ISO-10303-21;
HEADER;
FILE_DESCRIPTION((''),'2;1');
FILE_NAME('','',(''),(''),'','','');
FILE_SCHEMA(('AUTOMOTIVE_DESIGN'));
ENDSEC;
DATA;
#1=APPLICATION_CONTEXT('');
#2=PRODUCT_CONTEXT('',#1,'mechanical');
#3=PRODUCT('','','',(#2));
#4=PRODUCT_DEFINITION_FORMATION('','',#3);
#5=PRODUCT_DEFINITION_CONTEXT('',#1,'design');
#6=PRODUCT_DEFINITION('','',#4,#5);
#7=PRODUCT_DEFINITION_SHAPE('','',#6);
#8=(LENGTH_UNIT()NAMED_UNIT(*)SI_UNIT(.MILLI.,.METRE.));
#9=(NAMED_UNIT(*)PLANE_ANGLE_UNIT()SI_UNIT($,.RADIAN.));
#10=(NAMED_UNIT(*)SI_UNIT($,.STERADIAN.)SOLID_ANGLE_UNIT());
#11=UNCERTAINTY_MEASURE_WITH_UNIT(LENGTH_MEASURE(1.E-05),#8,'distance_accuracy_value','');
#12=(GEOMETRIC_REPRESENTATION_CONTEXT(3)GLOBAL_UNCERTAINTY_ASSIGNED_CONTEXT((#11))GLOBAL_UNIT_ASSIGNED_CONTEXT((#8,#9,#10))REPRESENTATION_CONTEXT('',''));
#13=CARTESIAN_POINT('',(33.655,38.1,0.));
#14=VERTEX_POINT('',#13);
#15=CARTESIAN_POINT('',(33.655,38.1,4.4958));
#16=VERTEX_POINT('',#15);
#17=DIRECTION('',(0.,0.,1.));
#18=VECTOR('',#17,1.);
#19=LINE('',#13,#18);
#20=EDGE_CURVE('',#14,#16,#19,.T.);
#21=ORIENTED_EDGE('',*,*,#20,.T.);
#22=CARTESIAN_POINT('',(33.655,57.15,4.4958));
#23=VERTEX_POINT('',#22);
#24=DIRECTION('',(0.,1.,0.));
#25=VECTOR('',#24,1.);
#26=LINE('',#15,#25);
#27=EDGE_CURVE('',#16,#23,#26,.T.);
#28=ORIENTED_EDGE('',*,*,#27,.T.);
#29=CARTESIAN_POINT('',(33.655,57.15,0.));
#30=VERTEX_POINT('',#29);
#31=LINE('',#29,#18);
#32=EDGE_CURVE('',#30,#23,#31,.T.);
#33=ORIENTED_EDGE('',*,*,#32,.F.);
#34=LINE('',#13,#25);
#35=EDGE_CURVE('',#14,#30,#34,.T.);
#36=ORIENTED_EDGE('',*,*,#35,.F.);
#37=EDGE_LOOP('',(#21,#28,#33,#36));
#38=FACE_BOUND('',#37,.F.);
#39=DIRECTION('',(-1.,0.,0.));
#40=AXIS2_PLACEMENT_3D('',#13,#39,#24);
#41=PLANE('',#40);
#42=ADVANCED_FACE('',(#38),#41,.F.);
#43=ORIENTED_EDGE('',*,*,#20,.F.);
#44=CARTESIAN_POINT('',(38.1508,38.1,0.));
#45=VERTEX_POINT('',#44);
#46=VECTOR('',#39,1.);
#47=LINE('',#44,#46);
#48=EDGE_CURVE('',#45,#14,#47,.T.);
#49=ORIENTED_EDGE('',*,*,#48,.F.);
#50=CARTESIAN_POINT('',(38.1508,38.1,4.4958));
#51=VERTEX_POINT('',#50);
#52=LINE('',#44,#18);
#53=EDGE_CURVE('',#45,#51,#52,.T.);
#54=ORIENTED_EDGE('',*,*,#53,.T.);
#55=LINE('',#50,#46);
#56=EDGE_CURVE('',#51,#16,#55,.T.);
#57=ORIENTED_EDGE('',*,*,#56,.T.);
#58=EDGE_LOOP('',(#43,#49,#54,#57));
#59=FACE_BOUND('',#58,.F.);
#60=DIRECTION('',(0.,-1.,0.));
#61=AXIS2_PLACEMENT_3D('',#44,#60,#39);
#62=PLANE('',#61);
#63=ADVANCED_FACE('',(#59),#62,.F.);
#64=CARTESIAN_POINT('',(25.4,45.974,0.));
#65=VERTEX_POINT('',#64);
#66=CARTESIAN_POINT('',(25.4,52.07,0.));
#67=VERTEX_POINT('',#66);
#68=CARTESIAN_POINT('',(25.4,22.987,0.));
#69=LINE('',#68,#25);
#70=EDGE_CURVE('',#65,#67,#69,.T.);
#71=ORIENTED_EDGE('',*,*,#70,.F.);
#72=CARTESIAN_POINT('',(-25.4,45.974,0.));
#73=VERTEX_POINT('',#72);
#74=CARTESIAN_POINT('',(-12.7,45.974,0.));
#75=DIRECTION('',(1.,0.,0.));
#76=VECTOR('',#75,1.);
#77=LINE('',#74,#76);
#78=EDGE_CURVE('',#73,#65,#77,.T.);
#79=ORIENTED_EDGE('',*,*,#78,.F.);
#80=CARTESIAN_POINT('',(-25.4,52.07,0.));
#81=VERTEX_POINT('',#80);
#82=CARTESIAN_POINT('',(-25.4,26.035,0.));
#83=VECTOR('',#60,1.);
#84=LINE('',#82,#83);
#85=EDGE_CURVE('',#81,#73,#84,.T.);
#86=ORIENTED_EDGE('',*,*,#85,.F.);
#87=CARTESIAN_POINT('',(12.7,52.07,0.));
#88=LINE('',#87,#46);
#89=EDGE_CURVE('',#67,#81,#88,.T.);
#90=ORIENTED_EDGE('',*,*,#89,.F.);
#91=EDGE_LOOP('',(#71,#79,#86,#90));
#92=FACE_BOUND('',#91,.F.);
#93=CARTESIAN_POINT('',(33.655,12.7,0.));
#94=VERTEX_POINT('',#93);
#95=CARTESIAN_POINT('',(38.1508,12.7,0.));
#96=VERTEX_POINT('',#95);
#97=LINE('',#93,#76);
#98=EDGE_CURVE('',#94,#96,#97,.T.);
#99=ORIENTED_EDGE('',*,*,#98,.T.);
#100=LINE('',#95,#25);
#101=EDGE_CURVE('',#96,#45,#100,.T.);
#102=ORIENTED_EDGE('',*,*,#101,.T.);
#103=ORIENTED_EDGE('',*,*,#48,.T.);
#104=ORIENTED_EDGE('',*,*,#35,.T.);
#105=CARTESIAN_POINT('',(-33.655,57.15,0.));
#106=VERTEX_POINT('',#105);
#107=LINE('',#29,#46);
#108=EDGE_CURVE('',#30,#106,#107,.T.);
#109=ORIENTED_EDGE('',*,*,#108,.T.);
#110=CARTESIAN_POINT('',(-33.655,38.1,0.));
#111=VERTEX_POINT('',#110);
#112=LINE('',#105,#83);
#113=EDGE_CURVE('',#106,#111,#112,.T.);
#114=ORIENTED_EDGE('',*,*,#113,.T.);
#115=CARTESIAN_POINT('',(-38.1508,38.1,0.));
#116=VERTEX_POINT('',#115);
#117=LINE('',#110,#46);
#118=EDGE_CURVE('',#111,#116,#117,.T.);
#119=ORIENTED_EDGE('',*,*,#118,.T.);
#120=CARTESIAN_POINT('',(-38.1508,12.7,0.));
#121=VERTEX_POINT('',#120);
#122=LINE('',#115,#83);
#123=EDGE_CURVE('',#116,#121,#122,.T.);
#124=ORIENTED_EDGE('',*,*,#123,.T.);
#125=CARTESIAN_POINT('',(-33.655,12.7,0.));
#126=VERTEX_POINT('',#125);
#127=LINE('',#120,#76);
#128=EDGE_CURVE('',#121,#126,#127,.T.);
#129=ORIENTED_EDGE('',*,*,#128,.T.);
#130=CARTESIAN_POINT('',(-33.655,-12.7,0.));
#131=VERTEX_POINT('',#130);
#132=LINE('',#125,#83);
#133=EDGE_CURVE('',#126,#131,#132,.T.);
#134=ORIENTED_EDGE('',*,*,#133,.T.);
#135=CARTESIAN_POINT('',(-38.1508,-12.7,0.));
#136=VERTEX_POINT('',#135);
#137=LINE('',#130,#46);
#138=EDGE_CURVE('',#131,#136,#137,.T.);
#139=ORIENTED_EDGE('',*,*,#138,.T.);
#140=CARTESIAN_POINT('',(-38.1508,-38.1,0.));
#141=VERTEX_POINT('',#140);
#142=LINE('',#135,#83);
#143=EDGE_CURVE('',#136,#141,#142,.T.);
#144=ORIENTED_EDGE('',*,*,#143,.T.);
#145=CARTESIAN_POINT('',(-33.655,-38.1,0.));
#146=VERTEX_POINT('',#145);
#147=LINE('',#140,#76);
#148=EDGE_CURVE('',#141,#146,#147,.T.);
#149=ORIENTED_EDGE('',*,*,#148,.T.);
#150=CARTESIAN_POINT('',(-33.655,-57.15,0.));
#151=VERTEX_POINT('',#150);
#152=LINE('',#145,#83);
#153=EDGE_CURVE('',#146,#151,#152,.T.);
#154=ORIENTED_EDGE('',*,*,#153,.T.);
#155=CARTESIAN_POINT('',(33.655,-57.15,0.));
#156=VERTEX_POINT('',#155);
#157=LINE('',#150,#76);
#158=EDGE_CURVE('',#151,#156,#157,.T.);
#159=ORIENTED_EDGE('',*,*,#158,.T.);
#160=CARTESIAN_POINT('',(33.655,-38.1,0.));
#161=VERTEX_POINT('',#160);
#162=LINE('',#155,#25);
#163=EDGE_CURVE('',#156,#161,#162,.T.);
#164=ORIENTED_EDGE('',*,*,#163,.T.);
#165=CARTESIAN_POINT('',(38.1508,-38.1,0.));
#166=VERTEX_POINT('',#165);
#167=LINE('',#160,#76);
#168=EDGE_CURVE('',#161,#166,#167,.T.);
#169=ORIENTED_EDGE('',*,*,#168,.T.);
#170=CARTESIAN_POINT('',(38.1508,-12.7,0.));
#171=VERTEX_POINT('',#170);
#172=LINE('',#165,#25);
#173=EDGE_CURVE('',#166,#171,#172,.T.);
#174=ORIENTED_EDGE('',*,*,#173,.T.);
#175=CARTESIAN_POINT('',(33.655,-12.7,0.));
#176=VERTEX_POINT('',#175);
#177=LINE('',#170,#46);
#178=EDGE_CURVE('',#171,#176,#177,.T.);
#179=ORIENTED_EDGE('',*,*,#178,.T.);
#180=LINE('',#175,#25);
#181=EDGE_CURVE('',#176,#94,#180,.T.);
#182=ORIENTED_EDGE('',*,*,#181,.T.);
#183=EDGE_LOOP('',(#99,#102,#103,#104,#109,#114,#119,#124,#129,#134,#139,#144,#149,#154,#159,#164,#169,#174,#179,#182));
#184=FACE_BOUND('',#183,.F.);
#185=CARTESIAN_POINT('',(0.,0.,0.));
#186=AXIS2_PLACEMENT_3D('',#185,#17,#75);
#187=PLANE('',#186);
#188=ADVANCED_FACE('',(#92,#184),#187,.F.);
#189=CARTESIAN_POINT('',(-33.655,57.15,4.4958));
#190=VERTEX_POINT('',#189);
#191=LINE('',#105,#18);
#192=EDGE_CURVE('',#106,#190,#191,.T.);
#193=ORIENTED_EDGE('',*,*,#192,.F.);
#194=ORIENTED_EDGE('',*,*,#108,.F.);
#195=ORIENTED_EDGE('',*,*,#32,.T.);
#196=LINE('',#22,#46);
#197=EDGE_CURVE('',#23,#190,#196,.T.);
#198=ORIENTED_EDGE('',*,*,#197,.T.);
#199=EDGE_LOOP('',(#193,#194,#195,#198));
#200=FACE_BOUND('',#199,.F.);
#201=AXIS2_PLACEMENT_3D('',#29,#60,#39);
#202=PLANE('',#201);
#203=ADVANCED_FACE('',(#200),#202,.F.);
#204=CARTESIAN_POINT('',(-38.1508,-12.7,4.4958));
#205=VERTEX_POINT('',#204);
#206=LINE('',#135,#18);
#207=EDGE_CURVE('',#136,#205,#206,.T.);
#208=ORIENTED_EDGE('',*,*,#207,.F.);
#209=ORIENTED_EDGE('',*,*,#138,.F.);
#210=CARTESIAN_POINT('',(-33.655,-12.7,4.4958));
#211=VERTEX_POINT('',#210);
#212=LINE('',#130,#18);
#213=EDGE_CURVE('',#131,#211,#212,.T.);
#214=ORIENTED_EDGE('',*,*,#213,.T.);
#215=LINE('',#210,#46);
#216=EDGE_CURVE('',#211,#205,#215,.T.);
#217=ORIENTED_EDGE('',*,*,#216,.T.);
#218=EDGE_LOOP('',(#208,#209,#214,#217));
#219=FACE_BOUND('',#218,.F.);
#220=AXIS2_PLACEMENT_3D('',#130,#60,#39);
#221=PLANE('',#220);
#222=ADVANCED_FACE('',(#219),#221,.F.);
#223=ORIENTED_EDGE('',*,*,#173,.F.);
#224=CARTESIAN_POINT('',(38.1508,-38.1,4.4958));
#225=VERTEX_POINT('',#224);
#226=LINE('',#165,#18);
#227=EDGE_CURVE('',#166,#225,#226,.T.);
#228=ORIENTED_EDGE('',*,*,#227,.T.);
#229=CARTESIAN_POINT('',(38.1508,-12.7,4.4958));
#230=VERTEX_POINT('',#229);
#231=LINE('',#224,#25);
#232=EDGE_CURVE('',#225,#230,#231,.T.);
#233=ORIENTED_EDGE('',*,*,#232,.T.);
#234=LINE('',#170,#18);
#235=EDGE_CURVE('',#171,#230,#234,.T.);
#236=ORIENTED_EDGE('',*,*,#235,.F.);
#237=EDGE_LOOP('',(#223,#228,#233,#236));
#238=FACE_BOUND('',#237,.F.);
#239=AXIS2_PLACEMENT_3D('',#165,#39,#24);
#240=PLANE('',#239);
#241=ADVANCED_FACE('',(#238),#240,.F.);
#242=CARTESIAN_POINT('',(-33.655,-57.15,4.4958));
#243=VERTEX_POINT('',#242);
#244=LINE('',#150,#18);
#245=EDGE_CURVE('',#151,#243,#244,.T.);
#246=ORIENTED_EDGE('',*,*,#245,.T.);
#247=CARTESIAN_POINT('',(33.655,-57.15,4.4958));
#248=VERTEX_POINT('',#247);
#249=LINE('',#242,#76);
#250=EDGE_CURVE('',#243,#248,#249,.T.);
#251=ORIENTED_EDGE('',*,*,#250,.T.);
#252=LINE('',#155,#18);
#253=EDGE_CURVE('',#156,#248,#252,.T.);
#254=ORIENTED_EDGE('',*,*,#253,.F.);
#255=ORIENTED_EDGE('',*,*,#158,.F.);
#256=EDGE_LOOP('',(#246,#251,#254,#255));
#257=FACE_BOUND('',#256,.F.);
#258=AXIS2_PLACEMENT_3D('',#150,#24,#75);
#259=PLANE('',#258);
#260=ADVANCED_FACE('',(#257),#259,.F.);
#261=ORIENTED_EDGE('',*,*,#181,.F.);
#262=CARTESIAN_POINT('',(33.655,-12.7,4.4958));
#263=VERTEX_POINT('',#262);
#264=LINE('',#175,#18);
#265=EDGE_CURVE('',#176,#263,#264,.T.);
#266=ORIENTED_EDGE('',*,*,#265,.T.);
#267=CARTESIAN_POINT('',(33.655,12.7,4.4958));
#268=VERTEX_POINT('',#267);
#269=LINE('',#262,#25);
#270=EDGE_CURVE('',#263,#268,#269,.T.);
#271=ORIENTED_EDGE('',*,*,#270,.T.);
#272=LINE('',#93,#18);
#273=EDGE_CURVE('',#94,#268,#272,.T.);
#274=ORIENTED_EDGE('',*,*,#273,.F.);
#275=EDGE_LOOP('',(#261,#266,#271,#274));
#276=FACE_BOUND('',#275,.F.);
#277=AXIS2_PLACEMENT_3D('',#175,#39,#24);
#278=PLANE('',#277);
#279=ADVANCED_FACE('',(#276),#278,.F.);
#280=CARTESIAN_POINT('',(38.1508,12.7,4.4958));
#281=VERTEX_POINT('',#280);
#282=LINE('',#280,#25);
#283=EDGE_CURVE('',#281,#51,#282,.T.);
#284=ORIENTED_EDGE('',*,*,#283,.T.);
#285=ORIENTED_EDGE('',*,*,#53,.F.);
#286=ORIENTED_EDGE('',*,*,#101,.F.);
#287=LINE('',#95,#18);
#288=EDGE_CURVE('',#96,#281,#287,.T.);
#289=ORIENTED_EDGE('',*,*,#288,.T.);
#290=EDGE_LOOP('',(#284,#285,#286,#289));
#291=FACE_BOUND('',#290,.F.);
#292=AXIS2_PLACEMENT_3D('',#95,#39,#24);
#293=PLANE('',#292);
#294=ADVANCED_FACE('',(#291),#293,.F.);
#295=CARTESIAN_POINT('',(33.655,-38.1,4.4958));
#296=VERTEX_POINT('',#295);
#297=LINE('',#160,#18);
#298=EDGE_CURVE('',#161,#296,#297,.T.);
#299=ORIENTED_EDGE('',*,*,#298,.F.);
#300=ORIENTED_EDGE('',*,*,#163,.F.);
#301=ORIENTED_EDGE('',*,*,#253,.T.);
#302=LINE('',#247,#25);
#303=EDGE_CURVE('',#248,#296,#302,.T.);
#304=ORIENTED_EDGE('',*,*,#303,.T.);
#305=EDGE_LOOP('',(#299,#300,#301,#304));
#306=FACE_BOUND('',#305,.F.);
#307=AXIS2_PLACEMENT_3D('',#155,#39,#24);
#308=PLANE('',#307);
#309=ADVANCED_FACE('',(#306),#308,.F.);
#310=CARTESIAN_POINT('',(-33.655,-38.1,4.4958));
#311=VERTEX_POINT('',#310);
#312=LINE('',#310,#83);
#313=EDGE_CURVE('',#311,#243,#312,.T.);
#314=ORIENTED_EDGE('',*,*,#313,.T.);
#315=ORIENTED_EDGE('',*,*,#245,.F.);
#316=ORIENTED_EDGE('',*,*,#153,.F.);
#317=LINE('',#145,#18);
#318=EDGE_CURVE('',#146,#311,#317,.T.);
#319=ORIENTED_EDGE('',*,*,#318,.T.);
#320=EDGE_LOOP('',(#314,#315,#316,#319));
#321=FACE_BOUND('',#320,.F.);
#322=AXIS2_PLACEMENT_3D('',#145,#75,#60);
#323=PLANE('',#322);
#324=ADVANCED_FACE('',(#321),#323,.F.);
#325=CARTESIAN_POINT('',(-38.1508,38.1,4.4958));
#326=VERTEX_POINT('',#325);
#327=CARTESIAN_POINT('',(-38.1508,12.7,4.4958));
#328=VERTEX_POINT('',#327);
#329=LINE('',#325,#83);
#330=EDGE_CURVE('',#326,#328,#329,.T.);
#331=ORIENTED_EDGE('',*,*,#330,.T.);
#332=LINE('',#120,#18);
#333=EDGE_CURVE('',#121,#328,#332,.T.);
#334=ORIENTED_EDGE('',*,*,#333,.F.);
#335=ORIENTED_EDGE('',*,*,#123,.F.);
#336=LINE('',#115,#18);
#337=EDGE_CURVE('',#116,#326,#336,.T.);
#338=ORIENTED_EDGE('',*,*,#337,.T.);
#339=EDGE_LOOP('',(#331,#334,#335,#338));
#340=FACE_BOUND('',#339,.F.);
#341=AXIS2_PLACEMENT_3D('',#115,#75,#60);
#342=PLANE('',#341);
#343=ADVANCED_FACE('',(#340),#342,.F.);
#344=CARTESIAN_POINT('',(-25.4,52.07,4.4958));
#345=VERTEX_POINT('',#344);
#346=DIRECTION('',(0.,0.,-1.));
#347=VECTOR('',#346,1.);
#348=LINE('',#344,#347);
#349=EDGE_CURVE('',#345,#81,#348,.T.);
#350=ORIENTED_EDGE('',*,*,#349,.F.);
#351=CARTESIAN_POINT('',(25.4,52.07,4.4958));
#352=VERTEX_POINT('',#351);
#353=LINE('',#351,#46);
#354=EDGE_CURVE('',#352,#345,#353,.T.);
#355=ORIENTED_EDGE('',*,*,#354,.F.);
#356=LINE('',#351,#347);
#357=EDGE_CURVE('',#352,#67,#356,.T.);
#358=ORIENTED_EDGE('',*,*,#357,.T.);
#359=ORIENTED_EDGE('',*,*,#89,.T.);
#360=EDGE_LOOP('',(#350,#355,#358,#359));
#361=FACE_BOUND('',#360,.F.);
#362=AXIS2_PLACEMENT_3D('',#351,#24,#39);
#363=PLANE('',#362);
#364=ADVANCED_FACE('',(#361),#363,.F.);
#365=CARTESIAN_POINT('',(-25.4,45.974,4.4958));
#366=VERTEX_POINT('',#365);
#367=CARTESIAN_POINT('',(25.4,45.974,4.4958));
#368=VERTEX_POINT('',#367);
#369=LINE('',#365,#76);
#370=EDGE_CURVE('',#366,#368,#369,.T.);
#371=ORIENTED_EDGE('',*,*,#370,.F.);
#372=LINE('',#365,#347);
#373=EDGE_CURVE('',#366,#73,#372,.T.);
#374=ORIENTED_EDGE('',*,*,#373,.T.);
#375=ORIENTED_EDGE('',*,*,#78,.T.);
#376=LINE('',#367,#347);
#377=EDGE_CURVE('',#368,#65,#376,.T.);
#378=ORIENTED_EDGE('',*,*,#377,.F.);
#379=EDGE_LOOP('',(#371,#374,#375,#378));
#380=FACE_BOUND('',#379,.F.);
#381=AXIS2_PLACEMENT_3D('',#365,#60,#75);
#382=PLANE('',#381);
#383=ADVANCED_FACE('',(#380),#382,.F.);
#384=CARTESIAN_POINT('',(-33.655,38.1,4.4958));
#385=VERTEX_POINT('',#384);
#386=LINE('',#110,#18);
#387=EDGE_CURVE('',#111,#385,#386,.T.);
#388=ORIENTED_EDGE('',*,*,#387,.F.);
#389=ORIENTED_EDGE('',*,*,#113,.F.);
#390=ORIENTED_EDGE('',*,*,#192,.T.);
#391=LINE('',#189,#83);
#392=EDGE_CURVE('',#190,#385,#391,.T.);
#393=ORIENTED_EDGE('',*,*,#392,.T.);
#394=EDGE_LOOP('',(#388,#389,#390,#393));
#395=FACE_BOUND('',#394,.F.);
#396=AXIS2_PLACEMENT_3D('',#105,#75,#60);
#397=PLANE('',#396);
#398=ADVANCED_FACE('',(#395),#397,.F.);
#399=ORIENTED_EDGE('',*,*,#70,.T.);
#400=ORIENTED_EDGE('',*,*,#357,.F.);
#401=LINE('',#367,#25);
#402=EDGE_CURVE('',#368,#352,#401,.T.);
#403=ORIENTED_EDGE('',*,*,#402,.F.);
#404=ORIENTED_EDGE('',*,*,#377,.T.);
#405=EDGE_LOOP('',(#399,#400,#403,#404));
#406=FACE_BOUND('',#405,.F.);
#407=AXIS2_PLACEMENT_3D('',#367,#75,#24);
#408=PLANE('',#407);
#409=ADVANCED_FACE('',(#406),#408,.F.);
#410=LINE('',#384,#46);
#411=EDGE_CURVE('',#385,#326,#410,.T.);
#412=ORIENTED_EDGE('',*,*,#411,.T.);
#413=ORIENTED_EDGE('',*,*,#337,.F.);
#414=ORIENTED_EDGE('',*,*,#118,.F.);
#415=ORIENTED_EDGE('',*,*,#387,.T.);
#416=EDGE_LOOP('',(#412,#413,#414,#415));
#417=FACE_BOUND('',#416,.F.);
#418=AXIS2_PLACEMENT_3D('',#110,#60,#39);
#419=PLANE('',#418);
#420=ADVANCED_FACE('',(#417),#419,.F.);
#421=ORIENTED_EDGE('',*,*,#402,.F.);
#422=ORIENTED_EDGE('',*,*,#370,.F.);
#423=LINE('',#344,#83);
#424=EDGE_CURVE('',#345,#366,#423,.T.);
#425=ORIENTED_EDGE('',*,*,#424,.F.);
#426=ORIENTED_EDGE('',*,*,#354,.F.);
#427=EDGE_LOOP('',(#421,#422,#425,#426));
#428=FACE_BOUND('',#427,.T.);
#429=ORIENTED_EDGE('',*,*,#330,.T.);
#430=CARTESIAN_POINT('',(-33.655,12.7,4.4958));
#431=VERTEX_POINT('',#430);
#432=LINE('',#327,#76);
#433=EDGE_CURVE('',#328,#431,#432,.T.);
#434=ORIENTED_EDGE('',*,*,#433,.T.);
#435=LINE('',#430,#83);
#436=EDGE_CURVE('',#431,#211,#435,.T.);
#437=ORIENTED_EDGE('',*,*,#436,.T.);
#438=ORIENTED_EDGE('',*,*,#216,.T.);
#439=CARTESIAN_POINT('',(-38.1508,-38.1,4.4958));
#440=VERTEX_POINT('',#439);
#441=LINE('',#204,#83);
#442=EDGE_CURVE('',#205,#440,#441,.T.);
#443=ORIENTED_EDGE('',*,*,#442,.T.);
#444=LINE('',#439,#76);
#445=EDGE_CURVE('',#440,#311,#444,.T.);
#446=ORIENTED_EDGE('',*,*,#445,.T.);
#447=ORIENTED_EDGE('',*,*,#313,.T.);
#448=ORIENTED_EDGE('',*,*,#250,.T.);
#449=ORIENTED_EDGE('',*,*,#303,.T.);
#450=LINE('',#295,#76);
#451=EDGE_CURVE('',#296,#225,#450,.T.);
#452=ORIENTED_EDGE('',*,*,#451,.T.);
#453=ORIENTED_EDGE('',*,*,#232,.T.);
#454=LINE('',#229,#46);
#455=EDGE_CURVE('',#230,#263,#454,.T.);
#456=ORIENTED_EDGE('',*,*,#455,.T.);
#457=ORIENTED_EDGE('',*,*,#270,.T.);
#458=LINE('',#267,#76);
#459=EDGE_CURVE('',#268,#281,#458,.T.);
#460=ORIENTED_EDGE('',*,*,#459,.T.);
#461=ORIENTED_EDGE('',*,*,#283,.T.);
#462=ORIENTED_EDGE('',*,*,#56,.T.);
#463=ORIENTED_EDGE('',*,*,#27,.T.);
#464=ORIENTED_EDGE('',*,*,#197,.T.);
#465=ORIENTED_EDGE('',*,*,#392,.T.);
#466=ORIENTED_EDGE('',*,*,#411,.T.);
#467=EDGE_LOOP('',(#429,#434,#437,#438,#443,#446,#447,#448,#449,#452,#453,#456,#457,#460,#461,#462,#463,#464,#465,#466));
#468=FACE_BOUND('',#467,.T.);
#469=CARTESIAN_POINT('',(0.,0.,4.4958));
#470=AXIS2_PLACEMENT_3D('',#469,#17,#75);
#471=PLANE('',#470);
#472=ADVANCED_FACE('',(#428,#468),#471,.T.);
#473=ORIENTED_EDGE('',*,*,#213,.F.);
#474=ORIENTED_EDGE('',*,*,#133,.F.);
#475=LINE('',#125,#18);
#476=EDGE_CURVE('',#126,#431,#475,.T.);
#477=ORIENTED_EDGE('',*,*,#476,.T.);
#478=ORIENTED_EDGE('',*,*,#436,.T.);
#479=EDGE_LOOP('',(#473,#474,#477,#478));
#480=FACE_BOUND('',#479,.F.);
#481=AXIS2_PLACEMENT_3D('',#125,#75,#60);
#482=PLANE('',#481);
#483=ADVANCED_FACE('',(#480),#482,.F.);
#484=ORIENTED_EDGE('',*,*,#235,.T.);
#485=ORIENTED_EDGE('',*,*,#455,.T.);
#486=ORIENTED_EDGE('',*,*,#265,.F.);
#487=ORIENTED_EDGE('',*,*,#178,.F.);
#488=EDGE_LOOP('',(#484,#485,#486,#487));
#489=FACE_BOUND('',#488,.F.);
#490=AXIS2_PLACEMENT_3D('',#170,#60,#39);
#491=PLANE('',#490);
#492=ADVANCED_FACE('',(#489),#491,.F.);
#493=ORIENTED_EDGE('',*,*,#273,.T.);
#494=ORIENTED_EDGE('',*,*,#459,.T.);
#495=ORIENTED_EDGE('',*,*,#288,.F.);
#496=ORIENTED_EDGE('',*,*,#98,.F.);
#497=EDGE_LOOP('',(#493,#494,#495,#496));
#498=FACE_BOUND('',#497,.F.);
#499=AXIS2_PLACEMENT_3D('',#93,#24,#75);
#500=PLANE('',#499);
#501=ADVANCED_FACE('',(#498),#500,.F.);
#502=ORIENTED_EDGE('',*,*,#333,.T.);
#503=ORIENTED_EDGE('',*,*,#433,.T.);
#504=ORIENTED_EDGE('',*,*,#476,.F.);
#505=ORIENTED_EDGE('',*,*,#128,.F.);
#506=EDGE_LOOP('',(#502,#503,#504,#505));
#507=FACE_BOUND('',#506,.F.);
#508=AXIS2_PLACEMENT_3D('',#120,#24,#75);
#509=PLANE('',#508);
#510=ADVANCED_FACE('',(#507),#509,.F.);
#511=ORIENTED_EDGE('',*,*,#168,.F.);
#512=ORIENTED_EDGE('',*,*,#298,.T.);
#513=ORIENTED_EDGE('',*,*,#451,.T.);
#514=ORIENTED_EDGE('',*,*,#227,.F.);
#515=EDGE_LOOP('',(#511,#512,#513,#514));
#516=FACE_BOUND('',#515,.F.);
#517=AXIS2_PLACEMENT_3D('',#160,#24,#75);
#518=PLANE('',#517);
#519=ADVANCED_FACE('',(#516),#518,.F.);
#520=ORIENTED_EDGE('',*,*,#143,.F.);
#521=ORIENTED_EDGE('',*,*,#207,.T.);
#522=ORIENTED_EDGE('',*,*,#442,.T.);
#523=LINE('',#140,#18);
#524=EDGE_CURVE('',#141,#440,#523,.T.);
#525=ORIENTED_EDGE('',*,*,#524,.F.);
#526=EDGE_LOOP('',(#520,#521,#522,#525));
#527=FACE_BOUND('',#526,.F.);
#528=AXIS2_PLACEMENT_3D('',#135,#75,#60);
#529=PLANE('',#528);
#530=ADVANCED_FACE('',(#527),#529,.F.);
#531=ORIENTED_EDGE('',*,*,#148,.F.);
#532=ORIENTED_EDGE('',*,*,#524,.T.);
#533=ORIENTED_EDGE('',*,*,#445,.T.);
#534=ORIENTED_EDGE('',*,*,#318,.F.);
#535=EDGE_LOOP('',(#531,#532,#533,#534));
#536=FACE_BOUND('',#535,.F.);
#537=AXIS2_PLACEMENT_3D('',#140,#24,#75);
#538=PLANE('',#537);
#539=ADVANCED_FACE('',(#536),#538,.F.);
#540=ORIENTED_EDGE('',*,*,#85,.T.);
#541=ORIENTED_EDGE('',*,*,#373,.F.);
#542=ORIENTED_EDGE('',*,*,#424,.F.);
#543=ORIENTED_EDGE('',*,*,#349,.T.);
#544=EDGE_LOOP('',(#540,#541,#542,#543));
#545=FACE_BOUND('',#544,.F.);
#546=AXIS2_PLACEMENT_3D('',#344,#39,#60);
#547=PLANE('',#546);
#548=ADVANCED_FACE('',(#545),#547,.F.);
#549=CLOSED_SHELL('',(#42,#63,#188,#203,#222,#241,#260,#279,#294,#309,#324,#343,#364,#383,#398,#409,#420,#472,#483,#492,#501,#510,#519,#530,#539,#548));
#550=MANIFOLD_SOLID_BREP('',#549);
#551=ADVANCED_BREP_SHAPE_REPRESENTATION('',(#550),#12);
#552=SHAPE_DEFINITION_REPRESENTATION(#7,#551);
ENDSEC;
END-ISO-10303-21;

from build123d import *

# Parameters (mm, degrees)
F1_DEPTH = 4.4958
F3_DEPTH = 4.4968


with BuildPart() as f1:
    # F0 (on Top) → F1 (new body)
    with BuildSketch(Plane.XY):
        Polygon((33.655, 57.15), (-33.655, 57.15), (-33.655, 38.1), (-38.1508, 38.1), (-38.1508, 12.7), (-33.655, 12.7), (-33.655, 0), (-33.655, -12.7), (-38.1508, -12.7), (-38.1508, -38.1), (-33.655, -38.1), (-33.655, -57.15), (33.655, -57.15), (33.655, -38.1), (38.1508, -38.1), (38.1508, -12.7), (33.655, -12.7), (33.655, 0), (33.655, 12.7), (38.1508, 12.7), (38.1508, 38.1), (33.655, 38.1), align=None)
    extrude(amount=F1_DEPTH)

    # F2 (on face) → F3 (cut, through all)
    with BuildSketch(Plane.XY.offset(4.4958)):
        Polygon((25.4, 52.07), (-25.4, 52.07), (-25.4, 45.974), (-9.525, 45.974), (9.525, 45.974), (25.4, 45.974), align=None)
    extrude(amount=-F3_DEPTH, mode=Mode.SUBTRACT)


solid = f1.part
